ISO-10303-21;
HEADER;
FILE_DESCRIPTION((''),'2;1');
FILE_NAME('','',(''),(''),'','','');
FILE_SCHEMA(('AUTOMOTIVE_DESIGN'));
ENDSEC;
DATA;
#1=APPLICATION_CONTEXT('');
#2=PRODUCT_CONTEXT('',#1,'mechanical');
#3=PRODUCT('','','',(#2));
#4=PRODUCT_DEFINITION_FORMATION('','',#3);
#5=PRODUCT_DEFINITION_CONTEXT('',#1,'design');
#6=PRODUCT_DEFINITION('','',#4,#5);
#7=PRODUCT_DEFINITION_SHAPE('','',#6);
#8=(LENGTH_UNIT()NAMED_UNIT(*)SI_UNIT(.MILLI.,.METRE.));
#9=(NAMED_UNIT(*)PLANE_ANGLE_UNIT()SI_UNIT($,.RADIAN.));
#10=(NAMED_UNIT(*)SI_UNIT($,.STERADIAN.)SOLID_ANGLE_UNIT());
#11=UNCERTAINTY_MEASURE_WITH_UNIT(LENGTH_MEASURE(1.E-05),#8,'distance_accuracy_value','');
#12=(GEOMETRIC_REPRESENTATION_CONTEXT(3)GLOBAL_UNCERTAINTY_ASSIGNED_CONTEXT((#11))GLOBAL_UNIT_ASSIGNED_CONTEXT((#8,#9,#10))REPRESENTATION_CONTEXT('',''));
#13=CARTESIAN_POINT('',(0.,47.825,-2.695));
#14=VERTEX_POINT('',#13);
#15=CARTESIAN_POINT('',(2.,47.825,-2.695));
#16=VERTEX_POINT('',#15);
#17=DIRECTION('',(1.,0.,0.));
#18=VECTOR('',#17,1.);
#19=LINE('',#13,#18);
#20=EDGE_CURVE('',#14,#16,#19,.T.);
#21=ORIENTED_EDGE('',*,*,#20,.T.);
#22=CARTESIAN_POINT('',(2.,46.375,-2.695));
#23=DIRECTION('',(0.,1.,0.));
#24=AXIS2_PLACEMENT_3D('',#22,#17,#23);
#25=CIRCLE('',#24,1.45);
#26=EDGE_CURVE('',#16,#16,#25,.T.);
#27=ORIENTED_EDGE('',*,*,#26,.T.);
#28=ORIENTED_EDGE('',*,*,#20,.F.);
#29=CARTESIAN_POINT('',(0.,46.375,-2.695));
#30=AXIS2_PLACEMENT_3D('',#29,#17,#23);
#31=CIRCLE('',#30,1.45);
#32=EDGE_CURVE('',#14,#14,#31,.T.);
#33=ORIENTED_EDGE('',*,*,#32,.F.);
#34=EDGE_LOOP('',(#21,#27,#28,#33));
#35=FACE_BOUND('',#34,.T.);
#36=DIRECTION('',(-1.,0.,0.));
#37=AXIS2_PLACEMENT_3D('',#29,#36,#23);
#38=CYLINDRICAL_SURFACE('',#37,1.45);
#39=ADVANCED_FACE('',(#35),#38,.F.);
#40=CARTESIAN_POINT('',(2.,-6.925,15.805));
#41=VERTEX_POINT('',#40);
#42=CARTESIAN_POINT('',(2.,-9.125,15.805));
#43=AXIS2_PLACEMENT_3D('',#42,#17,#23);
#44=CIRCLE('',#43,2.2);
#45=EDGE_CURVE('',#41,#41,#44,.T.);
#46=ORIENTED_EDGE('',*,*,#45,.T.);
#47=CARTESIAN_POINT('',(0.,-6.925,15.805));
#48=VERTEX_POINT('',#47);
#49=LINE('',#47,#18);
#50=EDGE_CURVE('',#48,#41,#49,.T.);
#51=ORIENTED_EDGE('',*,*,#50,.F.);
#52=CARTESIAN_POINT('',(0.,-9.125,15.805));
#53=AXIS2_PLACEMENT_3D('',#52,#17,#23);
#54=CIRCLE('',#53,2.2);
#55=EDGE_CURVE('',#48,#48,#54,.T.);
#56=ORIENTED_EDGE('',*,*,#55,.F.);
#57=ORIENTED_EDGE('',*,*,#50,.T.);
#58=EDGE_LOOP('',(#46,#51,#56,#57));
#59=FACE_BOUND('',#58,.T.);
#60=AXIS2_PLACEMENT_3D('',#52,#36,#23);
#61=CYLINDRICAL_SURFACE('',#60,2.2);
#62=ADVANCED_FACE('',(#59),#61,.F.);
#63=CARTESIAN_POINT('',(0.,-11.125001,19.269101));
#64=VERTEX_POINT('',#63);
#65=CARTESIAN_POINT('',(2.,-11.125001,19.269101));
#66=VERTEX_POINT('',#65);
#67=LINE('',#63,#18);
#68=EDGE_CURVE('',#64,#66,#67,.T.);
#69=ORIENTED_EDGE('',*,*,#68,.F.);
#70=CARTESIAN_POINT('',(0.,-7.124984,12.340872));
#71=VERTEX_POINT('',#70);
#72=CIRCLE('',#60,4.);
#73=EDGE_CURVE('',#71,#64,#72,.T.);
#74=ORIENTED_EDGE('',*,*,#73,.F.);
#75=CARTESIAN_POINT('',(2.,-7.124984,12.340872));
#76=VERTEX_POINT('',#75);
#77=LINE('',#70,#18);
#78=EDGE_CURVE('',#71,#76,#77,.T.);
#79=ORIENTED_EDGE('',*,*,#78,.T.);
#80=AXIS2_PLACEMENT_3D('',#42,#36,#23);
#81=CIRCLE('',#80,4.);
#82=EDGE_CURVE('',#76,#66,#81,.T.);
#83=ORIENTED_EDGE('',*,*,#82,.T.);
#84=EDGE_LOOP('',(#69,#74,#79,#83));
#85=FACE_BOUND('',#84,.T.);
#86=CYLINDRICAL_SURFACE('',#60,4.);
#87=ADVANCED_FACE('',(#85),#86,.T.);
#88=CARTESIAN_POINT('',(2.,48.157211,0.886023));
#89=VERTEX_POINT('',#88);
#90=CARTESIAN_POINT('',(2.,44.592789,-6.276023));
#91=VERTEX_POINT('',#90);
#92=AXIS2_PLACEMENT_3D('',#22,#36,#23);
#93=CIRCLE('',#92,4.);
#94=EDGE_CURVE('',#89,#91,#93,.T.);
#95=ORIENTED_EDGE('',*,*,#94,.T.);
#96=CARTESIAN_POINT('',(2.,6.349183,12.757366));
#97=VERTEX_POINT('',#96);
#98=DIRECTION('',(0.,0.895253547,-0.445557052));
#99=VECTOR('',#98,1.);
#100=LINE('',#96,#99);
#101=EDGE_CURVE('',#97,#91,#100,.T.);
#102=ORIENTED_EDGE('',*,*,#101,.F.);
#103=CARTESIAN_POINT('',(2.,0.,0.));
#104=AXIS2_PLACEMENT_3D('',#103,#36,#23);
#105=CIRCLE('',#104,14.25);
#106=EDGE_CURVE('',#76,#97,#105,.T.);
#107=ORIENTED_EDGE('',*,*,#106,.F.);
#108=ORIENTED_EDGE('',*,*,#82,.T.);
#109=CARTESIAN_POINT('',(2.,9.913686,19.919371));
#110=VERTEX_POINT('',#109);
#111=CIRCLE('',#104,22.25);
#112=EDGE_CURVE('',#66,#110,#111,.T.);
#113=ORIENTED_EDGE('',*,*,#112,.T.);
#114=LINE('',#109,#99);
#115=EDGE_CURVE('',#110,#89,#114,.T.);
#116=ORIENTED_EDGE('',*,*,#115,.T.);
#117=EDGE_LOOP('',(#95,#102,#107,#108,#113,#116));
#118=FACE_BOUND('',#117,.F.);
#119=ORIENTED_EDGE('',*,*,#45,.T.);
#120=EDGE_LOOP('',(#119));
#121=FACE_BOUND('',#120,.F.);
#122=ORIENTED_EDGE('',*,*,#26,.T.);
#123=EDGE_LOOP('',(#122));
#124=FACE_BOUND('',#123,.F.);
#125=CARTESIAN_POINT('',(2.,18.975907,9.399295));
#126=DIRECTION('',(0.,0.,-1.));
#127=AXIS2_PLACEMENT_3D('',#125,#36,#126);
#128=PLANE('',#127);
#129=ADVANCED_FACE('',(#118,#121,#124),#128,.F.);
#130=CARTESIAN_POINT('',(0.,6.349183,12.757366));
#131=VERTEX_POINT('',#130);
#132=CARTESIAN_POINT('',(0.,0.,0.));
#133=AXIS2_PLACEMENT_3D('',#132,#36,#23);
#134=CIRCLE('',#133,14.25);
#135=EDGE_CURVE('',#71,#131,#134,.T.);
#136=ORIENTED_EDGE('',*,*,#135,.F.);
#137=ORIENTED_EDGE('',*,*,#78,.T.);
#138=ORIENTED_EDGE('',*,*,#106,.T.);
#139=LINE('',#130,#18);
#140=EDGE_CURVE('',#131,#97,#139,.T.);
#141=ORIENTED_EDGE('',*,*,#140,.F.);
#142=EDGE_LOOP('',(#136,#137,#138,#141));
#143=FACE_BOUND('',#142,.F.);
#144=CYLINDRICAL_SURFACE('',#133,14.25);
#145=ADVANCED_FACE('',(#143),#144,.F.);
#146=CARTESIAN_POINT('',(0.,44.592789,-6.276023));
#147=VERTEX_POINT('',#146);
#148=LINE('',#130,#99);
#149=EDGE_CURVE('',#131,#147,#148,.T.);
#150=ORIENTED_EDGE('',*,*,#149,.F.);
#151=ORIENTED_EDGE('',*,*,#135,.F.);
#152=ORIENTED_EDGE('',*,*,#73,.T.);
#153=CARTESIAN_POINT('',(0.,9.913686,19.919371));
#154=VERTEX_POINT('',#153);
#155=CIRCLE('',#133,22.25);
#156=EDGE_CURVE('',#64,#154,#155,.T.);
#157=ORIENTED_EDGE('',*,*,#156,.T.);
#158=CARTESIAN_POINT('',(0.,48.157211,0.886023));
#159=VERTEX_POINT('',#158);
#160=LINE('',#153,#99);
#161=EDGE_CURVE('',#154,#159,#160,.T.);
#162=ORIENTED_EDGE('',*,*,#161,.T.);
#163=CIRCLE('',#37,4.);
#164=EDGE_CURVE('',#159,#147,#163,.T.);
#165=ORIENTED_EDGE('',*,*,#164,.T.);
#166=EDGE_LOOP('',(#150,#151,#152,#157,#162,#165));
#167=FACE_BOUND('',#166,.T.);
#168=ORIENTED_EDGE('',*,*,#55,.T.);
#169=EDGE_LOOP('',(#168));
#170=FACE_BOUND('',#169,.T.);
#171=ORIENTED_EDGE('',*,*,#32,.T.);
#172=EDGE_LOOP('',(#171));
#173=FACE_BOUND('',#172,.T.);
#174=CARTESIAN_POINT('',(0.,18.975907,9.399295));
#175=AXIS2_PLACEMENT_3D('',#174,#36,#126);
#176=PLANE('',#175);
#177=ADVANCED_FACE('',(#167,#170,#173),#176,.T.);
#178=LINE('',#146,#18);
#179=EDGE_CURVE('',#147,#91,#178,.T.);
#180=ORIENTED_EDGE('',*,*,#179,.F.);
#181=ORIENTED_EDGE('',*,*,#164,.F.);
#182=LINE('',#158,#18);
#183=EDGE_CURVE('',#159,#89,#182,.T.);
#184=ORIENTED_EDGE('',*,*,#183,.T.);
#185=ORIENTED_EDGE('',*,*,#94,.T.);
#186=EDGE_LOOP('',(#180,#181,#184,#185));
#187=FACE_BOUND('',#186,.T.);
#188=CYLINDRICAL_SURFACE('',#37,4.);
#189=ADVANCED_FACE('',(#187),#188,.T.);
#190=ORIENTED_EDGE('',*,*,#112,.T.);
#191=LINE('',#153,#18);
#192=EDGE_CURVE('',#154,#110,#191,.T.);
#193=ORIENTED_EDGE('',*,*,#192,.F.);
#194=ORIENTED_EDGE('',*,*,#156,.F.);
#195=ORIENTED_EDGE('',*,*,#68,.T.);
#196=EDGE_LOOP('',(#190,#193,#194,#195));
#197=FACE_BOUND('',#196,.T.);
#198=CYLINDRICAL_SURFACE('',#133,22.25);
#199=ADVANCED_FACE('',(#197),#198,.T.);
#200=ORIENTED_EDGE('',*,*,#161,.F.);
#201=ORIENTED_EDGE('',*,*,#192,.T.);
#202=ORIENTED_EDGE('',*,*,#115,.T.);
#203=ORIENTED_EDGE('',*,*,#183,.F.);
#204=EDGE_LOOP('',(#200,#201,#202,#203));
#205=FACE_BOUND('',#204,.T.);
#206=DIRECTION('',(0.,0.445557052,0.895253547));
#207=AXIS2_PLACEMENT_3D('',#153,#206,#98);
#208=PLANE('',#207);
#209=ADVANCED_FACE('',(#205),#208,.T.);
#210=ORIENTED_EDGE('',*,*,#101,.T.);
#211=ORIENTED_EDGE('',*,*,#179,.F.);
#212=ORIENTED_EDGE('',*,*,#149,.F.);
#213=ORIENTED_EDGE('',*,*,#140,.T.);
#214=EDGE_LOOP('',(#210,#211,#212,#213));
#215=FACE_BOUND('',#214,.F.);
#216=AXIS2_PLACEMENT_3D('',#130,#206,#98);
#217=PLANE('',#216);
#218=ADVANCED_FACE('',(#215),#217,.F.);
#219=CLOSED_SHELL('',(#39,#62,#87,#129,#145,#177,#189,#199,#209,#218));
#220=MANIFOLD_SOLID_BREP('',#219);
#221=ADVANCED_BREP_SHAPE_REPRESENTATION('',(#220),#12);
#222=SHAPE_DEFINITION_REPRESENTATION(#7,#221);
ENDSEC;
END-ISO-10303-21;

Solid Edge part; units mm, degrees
sketch "Sketch1" plane through (0, 0, 0) normal (1, 0, 0) x (0, 1, 0)
  line L0 (9.9137, 19.9194) -> (48.1572, 0.886)
  arc A0 (48.1572, 0.886) -> (44.5928, -6.276) centre (46.375, -2.695) cw
  line L1 (6.3492, 12.7574) -> (44.5928, -6.276)
  arc A1 (-7.125, 12.3409) -> (6.3492, 12.7574) centre (0, 0) cw
  arc A2 (-7.125, 12.3409) -> (-11.125, 19.2691) centre (-9.125, 15.805) cw
  arc A3 (-11.125, 19.2691) -> (9.9137, 19.9194) centre (0, 0) cw
  circle A4 centre (46.375, -2.695) radius 1.45
  circle A5 centre (-9.125, 15.805) radius 2.2
  dimension "D1" = 4
  dimension "D2" = 4.4
  dimension "D3" = 2.9
extrude "Protrusion1" add sketch "Sketch1" along normal blind 2
